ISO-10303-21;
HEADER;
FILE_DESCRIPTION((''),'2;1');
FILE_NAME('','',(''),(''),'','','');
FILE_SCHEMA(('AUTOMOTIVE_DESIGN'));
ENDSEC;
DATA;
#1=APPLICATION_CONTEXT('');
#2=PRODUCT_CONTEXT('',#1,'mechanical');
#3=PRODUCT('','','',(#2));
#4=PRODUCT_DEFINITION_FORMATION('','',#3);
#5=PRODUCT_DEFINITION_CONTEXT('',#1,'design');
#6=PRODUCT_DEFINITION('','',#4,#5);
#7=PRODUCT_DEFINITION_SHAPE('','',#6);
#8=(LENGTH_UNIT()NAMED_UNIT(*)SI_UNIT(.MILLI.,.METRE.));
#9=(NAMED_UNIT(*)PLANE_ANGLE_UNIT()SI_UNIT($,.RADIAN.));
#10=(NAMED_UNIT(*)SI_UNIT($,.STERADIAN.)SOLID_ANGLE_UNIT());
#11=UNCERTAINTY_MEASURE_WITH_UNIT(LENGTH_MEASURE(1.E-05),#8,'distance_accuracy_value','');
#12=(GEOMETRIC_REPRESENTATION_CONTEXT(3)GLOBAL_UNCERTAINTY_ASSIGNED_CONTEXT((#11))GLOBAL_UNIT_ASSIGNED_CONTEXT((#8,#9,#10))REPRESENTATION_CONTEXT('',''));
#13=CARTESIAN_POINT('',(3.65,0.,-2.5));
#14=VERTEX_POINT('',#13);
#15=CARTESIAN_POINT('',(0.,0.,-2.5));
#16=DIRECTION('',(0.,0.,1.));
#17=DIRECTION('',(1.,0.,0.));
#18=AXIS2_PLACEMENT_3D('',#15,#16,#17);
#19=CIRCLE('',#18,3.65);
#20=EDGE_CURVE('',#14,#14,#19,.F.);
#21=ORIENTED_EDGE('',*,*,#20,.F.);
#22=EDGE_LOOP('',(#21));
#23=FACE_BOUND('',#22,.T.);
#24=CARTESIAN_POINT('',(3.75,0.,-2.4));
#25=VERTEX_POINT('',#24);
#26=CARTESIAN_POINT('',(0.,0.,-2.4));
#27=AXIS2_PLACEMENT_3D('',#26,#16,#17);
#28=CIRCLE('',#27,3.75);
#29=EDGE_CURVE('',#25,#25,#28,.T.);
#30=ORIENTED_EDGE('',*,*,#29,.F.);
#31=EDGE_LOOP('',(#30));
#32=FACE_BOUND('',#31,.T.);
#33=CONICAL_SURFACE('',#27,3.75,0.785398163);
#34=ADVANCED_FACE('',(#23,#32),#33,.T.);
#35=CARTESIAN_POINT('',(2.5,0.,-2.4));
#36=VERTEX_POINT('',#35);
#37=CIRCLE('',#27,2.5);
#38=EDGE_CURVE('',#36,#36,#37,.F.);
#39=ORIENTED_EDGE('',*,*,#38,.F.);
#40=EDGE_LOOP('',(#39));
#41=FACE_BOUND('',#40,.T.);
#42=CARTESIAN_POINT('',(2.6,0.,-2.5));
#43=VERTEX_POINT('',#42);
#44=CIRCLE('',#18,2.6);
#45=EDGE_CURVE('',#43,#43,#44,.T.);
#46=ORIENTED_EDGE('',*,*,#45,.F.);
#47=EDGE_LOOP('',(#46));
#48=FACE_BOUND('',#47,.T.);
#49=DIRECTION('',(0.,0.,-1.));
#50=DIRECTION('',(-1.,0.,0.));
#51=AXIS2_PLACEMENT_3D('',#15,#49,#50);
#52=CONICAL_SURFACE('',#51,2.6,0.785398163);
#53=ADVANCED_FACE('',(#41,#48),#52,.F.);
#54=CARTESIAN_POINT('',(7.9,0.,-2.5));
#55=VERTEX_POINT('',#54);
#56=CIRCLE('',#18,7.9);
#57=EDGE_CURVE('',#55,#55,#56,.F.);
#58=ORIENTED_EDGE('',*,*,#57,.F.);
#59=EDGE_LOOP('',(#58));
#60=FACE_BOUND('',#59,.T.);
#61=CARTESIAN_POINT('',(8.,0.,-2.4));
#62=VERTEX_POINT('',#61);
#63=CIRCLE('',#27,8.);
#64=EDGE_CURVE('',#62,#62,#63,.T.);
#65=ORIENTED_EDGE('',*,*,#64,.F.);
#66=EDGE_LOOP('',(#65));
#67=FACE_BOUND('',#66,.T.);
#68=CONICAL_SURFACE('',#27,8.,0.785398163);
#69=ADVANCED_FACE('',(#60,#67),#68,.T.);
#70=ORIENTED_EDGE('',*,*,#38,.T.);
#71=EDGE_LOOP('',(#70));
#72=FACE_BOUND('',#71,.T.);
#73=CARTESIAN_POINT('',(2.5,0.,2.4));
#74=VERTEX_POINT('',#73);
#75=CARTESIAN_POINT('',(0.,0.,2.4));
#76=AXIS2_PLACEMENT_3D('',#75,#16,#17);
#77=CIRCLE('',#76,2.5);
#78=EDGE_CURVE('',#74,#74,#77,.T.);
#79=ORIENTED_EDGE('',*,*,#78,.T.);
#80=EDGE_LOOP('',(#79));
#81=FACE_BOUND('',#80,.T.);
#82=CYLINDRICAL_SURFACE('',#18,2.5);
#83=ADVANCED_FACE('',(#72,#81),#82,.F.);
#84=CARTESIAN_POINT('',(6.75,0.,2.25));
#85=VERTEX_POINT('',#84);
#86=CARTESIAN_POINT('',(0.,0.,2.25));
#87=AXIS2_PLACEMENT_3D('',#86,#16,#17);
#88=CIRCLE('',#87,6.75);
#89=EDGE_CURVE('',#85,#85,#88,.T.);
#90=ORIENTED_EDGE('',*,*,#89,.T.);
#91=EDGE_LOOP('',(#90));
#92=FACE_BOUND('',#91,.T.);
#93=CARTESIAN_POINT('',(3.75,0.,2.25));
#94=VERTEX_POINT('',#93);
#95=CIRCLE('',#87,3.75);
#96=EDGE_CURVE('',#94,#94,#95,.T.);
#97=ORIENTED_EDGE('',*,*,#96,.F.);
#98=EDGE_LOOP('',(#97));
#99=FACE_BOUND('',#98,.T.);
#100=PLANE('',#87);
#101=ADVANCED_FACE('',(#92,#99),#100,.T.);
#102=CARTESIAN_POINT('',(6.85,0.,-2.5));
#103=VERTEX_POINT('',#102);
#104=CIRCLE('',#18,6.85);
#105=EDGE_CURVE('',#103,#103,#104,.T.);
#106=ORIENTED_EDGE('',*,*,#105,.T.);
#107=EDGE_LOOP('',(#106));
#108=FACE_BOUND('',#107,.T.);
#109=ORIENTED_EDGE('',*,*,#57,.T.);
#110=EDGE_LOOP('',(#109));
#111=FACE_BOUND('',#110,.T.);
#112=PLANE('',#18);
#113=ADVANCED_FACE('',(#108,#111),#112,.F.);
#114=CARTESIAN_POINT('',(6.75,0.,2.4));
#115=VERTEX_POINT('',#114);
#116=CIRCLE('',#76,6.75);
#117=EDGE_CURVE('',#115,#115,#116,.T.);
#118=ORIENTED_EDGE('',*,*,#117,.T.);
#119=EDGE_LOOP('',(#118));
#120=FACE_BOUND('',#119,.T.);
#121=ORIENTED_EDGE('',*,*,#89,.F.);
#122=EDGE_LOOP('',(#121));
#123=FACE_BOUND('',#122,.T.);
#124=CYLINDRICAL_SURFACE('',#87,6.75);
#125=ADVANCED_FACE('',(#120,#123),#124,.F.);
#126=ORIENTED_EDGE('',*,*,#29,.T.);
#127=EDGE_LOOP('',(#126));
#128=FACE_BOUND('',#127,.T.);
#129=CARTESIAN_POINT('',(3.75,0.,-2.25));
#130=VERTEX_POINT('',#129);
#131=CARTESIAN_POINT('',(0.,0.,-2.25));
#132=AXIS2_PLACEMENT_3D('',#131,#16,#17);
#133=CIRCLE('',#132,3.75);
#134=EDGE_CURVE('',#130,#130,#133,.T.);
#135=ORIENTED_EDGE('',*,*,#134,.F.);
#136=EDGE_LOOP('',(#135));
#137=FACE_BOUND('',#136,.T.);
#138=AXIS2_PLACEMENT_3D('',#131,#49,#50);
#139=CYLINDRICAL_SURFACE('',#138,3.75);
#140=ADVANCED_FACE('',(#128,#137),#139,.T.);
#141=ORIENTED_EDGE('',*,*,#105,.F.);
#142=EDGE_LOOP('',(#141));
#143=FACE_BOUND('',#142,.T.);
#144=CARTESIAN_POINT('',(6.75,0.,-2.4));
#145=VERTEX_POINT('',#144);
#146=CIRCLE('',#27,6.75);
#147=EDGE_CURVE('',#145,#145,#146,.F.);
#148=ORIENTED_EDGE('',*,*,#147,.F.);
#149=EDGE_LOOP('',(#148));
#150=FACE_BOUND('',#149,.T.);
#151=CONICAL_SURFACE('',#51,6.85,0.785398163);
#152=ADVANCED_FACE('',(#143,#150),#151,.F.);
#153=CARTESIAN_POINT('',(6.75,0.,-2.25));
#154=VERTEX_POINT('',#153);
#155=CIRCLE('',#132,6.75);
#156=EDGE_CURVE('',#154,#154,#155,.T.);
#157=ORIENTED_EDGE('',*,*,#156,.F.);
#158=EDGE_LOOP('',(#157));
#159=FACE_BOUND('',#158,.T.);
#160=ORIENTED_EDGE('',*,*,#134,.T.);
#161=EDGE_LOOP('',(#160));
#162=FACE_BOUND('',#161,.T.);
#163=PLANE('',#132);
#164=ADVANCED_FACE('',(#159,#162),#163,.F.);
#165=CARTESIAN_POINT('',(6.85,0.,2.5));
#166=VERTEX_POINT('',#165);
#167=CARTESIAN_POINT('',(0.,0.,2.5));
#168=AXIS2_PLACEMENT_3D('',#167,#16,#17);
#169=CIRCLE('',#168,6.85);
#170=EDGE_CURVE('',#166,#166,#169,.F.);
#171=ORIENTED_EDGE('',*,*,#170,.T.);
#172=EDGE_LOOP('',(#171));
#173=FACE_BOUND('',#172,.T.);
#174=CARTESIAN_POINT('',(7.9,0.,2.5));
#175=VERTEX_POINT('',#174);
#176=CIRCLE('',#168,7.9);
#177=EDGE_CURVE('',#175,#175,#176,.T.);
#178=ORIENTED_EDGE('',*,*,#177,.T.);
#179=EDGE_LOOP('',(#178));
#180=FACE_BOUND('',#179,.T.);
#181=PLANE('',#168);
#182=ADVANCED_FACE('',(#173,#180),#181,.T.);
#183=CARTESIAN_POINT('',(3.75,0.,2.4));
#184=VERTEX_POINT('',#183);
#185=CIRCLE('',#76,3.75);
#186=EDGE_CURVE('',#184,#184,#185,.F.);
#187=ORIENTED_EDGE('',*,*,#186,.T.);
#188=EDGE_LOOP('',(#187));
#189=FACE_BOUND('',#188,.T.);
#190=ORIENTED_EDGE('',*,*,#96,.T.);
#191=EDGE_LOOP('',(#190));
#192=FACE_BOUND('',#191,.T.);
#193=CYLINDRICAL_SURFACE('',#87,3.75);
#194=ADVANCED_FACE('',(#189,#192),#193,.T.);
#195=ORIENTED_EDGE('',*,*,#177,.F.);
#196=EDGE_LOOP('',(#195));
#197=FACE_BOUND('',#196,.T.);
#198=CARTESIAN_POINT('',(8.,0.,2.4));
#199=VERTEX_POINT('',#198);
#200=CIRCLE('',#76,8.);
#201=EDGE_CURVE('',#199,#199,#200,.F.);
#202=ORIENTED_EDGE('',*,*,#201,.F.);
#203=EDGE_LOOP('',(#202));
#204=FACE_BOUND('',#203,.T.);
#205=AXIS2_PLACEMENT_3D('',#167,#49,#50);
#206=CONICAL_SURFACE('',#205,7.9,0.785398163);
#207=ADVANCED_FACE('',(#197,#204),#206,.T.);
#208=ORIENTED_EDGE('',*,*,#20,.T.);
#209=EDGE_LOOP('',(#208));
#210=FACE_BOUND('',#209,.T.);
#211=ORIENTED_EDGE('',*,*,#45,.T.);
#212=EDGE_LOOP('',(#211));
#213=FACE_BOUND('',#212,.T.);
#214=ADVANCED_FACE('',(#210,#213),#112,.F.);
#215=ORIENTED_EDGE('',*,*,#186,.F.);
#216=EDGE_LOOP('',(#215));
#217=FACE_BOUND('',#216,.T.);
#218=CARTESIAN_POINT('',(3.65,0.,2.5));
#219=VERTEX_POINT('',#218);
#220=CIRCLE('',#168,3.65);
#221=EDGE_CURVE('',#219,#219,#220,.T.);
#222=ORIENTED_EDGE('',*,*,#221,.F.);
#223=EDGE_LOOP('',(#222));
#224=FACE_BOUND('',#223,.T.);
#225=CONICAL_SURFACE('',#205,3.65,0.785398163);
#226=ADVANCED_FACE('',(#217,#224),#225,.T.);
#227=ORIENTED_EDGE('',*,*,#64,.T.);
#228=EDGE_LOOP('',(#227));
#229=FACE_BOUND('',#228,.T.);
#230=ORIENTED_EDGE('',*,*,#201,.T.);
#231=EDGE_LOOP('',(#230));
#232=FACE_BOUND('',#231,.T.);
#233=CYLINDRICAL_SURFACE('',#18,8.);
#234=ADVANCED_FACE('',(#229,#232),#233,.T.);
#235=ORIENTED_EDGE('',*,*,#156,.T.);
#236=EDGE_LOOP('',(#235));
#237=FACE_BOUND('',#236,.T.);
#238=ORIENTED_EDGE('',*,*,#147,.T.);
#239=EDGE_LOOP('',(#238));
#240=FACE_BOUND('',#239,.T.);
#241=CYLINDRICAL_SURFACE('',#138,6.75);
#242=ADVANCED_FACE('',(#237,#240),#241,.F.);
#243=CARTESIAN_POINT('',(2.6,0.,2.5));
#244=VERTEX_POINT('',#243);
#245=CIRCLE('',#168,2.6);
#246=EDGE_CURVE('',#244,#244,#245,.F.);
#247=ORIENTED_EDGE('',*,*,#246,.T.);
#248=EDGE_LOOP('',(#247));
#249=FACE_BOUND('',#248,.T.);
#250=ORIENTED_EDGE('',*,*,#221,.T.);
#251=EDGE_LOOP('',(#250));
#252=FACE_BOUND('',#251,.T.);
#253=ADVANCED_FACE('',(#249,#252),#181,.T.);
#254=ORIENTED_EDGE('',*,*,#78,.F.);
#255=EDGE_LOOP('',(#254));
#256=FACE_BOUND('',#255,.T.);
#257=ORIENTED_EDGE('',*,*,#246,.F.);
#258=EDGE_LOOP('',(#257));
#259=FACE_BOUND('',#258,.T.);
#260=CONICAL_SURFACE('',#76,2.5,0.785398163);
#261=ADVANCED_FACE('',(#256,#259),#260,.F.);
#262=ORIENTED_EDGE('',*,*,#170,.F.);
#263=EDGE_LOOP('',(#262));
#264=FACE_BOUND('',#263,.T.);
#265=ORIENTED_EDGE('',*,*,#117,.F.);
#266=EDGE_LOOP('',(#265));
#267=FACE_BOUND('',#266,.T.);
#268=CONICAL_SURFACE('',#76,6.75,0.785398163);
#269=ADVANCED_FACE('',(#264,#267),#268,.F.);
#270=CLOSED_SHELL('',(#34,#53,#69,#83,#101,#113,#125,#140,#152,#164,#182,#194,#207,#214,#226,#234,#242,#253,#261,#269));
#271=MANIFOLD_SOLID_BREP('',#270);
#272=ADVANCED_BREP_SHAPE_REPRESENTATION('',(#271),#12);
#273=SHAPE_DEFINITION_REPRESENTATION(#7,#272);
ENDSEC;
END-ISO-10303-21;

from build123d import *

# Parameters (mm, degrees)
SKETCH1_R                = 8
SKETCH1_R_2              = 2.5
BOSS_EXTRUDE1_DEPTH      = 2.5
BOSS_EXTRUDE1_DEPTH_BACK = 2.5
CUT_EXTRUDE1_START       = -2.5
SKETCH2_R                = 6.75
SKETCH2_R_2              = 3.75
CUT_EXTRUDE1_DEPTH       = 0.25
CUT_EXTRUDE2_START       = 2.5
SKETCH2_2_R              = 6.75
SKETCH2_2_R_2            = 3.75
CUT_EXTRUDE2_DEPTH       = 0.25
CHAMFER1_SIZE            = 0.1


with BuildPart() as part:
    # Sketch1 → Boss-Extrude1 (new body, two sides)
    with BuildSketch(Plane.XY) as boss_extrude1_sk:
        Circle(SKETCH1_R)
        Circle(SKETCH1_R_2, mode=Mode.SUBTRACT)
    extrude(amount=BOSS_EXTRUDE1_DEPTH)
    extrude(boss_extrude1_sk.sketch, amount=-BOSS_EXTRUDE1_DEPTH_BACK)

    # Sketch2 → Cut-Extrude1 (cut)
    with BuildSketch(Plane.XY.offset(CUT_EXTRUDE1_START)):
        Circle(SKETCH2_R)
        Circle(SKETCH2_R_2, mode=Mode.SUBTRACT)
    extrude(amount=CUT_EXTRUDE1_DEPTH, mode=Mode.SUBTRACT)

    # Sketch2_2 → Cut-Extrude2 (cut)
    with BuildSketch(Plane.XY.offset(CUT_EXTRUDE2_START)):
        Circle(SKETCH2_2_R)
        Circle(SKETCH2_2_R_2, mode=Mode.SUBTRACT)
    extrude(amount=-CUT_EXTRUDE2_DEPTH, mode=Mode.SUBTRACT)

    # Chamfer1
    chamfer1_edges = [part.edges().sort_by_distance(p)[0] for p in [
        (-3.75, 0, -2.5),
        (-6.75, 0, -2.5),
        (-6.75, 0, 2.5),
        (-3.75, 0, 2.5),
        (-8, 0, -2.5),
        (-2.5, 0, -2.5),
        (-8, 0, 2.5),
        (-2.5, 0, 2.5),
    ]]
    chamfer(chamfer1_edges, length=CHAMFER1_SIZE)


solid = part.part
